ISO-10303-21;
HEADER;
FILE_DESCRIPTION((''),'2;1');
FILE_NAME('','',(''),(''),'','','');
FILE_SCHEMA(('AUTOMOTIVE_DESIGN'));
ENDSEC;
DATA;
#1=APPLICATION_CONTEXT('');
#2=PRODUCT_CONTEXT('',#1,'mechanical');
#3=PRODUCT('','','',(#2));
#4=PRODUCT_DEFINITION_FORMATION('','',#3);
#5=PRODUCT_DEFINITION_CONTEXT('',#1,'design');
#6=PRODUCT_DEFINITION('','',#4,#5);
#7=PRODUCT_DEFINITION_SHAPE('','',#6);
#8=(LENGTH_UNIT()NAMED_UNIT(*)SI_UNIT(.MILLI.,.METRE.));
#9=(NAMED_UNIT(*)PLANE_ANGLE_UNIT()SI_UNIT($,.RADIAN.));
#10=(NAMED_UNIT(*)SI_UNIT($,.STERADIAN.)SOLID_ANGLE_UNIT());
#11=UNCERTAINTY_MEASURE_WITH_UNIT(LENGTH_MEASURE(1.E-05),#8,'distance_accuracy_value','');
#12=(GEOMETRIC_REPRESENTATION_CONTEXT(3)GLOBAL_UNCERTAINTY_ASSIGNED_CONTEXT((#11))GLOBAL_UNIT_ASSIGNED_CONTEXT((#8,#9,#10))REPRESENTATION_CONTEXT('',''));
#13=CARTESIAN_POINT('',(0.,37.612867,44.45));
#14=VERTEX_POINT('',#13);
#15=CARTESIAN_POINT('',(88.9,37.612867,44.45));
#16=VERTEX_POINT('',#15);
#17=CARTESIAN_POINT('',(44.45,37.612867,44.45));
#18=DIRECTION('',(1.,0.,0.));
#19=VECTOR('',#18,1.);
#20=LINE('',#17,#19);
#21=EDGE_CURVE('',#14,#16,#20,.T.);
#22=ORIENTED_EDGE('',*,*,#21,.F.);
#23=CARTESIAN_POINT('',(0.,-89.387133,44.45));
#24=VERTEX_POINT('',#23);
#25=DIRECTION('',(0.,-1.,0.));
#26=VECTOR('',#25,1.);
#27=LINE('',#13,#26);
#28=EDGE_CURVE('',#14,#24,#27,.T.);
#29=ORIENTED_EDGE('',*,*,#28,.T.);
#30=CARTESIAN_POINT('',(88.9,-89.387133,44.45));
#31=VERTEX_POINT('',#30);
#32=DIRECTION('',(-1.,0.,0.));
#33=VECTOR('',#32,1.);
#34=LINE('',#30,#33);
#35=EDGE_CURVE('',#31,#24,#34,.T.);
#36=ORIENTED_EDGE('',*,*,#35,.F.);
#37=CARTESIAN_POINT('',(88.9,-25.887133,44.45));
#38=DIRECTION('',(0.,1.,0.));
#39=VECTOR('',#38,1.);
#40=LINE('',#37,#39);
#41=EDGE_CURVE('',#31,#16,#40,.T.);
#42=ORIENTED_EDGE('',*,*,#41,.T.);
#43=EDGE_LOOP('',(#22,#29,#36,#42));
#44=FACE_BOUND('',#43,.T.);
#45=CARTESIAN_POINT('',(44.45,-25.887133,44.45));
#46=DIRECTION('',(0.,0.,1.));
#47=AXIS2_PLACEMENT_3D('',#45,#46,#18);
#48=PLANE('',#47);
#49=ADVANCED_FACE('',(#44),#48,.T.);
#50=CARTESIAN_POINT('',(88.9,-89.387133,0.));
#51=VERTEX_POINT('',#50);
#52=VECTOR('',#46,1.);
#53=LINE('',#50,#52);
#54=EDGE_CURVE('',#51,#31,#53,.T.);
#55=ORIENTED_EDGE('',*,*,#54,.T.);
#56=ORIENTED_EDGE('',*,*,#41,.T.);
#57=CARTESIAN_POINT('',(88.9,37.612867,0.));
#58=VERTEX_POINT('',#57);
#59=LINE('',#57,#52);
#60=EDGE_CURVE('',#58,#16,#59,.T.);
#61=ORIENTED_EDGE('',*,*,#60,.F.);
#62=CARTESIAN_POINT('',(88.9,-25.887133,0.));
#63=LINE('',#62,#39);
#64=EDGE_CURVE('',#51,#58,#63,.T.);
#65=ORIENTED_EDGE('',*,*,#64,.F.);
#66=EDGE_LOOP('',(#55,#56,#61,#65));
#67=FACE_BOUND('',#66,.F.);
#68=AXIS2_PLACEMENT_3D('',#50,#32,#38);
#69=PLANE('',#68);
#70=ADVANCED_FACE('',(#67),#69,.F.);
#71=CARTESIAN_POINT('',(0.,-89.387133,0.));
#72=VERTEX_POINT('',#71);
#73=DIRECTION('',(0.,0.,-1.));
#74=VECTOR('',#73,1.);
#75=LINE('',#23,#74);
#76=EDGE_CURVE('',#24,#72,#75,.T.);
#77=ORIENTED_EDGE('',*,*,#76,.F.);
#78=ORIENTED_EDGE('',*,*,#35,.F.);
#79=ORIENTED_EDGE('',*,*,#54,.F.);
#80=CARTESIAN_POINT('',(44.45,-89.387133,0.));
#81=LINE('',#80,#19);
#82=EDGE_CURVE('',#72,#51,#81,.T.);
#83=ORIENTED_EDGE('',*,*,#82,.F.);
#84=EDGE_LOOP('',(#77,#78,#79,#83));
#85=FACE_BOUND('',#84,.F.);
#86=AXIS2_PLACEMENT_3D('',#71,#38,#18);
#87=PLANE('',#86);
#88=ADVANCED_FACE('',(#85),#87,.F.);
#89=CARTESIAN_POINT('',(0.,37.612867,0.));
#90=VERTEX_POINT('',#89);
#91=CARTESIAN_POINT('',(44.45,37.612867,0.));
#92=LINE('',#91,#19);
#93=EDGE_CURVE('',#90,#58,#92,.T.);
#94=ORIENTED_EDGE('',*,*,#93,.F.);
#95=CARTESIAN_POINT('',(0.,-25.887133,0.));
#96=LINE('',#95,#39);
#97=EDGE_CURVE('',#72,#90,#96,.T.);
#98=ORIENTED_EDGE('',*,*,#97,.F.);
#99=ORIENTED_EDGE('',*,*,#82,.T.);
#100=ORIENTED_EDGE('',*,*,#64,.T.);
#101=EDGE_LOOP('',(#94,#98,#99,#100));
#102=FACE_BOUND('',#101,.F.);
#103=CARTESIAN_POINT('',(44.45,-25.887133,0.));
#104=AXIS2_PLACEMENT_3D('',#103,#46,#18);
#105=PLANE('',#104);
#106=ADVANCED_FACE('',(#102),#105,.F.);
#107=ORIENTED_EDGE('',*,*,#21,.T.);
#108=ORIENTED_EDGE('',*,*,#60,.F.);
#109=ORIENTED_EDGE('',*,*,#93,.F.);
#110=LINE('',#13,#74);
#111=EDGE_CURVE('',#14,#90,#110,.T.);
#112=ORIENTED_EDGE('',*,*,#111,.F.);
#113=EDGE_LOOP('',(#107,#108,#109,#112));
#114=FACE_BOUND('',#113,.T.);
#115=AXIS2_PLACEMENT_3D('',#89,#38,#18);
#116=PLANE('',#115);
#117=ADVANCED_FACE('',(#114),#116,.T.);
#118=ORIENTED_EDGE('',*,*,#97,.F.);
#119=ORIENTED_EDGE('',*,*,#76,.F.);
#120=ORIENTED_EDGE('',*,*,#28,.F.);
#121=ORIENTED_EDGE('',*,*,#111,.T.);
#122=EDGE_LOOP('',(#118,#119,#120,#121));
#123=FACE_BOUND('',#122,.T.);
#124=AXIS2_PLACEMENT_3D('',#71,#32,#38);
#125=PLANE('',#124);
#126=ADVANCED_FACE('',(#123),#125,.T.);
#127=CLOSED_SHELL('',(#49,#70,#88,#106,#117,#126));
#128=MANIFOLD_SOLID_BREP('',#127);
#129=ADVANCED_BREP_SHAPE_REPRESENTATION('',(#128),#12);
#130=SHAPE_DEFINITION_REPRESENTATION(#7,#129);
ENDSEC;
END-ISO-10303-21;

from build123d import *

# Parameters (mm, degrees)
F0_W     = 88.9
F0_H     = 127
F1_DEPTH = 44.45
F4_DEPTH = 42.926


with BuildPart() as f1:
    # F0 (on Top) → F1 (new body)
    with BuildSketch(Plane.XY):
        with Locations((44.45, -25.887133)):
            Rectangle(F0_W, F0_H)
    extrude(amount=F1_DEPTH)

    # F2 (on face) + F3 (on face) → F4 (join)
    with BuildSketch(Plane.XY.offset(44.45)):
        Polygon((0, 37.612867), (0, -89.387133), (25.4, -89.387133), (88.9, -89.387133), (88.9, 37.612867), align=None)
    with BuildSketch(Plane.XY.offset(44.45)):
        Polygon((25.378991, 11.89748), (25.378991, -89.387133), (25.4, -89.387133), (63.644692, -89.387133), (88.9, -89.387133), (88.9, 37.612867), (0, 37.612867), (0, 37.46105), align=None)
    extrude(amount=-F4_DEPTH)


solid = f1.part
